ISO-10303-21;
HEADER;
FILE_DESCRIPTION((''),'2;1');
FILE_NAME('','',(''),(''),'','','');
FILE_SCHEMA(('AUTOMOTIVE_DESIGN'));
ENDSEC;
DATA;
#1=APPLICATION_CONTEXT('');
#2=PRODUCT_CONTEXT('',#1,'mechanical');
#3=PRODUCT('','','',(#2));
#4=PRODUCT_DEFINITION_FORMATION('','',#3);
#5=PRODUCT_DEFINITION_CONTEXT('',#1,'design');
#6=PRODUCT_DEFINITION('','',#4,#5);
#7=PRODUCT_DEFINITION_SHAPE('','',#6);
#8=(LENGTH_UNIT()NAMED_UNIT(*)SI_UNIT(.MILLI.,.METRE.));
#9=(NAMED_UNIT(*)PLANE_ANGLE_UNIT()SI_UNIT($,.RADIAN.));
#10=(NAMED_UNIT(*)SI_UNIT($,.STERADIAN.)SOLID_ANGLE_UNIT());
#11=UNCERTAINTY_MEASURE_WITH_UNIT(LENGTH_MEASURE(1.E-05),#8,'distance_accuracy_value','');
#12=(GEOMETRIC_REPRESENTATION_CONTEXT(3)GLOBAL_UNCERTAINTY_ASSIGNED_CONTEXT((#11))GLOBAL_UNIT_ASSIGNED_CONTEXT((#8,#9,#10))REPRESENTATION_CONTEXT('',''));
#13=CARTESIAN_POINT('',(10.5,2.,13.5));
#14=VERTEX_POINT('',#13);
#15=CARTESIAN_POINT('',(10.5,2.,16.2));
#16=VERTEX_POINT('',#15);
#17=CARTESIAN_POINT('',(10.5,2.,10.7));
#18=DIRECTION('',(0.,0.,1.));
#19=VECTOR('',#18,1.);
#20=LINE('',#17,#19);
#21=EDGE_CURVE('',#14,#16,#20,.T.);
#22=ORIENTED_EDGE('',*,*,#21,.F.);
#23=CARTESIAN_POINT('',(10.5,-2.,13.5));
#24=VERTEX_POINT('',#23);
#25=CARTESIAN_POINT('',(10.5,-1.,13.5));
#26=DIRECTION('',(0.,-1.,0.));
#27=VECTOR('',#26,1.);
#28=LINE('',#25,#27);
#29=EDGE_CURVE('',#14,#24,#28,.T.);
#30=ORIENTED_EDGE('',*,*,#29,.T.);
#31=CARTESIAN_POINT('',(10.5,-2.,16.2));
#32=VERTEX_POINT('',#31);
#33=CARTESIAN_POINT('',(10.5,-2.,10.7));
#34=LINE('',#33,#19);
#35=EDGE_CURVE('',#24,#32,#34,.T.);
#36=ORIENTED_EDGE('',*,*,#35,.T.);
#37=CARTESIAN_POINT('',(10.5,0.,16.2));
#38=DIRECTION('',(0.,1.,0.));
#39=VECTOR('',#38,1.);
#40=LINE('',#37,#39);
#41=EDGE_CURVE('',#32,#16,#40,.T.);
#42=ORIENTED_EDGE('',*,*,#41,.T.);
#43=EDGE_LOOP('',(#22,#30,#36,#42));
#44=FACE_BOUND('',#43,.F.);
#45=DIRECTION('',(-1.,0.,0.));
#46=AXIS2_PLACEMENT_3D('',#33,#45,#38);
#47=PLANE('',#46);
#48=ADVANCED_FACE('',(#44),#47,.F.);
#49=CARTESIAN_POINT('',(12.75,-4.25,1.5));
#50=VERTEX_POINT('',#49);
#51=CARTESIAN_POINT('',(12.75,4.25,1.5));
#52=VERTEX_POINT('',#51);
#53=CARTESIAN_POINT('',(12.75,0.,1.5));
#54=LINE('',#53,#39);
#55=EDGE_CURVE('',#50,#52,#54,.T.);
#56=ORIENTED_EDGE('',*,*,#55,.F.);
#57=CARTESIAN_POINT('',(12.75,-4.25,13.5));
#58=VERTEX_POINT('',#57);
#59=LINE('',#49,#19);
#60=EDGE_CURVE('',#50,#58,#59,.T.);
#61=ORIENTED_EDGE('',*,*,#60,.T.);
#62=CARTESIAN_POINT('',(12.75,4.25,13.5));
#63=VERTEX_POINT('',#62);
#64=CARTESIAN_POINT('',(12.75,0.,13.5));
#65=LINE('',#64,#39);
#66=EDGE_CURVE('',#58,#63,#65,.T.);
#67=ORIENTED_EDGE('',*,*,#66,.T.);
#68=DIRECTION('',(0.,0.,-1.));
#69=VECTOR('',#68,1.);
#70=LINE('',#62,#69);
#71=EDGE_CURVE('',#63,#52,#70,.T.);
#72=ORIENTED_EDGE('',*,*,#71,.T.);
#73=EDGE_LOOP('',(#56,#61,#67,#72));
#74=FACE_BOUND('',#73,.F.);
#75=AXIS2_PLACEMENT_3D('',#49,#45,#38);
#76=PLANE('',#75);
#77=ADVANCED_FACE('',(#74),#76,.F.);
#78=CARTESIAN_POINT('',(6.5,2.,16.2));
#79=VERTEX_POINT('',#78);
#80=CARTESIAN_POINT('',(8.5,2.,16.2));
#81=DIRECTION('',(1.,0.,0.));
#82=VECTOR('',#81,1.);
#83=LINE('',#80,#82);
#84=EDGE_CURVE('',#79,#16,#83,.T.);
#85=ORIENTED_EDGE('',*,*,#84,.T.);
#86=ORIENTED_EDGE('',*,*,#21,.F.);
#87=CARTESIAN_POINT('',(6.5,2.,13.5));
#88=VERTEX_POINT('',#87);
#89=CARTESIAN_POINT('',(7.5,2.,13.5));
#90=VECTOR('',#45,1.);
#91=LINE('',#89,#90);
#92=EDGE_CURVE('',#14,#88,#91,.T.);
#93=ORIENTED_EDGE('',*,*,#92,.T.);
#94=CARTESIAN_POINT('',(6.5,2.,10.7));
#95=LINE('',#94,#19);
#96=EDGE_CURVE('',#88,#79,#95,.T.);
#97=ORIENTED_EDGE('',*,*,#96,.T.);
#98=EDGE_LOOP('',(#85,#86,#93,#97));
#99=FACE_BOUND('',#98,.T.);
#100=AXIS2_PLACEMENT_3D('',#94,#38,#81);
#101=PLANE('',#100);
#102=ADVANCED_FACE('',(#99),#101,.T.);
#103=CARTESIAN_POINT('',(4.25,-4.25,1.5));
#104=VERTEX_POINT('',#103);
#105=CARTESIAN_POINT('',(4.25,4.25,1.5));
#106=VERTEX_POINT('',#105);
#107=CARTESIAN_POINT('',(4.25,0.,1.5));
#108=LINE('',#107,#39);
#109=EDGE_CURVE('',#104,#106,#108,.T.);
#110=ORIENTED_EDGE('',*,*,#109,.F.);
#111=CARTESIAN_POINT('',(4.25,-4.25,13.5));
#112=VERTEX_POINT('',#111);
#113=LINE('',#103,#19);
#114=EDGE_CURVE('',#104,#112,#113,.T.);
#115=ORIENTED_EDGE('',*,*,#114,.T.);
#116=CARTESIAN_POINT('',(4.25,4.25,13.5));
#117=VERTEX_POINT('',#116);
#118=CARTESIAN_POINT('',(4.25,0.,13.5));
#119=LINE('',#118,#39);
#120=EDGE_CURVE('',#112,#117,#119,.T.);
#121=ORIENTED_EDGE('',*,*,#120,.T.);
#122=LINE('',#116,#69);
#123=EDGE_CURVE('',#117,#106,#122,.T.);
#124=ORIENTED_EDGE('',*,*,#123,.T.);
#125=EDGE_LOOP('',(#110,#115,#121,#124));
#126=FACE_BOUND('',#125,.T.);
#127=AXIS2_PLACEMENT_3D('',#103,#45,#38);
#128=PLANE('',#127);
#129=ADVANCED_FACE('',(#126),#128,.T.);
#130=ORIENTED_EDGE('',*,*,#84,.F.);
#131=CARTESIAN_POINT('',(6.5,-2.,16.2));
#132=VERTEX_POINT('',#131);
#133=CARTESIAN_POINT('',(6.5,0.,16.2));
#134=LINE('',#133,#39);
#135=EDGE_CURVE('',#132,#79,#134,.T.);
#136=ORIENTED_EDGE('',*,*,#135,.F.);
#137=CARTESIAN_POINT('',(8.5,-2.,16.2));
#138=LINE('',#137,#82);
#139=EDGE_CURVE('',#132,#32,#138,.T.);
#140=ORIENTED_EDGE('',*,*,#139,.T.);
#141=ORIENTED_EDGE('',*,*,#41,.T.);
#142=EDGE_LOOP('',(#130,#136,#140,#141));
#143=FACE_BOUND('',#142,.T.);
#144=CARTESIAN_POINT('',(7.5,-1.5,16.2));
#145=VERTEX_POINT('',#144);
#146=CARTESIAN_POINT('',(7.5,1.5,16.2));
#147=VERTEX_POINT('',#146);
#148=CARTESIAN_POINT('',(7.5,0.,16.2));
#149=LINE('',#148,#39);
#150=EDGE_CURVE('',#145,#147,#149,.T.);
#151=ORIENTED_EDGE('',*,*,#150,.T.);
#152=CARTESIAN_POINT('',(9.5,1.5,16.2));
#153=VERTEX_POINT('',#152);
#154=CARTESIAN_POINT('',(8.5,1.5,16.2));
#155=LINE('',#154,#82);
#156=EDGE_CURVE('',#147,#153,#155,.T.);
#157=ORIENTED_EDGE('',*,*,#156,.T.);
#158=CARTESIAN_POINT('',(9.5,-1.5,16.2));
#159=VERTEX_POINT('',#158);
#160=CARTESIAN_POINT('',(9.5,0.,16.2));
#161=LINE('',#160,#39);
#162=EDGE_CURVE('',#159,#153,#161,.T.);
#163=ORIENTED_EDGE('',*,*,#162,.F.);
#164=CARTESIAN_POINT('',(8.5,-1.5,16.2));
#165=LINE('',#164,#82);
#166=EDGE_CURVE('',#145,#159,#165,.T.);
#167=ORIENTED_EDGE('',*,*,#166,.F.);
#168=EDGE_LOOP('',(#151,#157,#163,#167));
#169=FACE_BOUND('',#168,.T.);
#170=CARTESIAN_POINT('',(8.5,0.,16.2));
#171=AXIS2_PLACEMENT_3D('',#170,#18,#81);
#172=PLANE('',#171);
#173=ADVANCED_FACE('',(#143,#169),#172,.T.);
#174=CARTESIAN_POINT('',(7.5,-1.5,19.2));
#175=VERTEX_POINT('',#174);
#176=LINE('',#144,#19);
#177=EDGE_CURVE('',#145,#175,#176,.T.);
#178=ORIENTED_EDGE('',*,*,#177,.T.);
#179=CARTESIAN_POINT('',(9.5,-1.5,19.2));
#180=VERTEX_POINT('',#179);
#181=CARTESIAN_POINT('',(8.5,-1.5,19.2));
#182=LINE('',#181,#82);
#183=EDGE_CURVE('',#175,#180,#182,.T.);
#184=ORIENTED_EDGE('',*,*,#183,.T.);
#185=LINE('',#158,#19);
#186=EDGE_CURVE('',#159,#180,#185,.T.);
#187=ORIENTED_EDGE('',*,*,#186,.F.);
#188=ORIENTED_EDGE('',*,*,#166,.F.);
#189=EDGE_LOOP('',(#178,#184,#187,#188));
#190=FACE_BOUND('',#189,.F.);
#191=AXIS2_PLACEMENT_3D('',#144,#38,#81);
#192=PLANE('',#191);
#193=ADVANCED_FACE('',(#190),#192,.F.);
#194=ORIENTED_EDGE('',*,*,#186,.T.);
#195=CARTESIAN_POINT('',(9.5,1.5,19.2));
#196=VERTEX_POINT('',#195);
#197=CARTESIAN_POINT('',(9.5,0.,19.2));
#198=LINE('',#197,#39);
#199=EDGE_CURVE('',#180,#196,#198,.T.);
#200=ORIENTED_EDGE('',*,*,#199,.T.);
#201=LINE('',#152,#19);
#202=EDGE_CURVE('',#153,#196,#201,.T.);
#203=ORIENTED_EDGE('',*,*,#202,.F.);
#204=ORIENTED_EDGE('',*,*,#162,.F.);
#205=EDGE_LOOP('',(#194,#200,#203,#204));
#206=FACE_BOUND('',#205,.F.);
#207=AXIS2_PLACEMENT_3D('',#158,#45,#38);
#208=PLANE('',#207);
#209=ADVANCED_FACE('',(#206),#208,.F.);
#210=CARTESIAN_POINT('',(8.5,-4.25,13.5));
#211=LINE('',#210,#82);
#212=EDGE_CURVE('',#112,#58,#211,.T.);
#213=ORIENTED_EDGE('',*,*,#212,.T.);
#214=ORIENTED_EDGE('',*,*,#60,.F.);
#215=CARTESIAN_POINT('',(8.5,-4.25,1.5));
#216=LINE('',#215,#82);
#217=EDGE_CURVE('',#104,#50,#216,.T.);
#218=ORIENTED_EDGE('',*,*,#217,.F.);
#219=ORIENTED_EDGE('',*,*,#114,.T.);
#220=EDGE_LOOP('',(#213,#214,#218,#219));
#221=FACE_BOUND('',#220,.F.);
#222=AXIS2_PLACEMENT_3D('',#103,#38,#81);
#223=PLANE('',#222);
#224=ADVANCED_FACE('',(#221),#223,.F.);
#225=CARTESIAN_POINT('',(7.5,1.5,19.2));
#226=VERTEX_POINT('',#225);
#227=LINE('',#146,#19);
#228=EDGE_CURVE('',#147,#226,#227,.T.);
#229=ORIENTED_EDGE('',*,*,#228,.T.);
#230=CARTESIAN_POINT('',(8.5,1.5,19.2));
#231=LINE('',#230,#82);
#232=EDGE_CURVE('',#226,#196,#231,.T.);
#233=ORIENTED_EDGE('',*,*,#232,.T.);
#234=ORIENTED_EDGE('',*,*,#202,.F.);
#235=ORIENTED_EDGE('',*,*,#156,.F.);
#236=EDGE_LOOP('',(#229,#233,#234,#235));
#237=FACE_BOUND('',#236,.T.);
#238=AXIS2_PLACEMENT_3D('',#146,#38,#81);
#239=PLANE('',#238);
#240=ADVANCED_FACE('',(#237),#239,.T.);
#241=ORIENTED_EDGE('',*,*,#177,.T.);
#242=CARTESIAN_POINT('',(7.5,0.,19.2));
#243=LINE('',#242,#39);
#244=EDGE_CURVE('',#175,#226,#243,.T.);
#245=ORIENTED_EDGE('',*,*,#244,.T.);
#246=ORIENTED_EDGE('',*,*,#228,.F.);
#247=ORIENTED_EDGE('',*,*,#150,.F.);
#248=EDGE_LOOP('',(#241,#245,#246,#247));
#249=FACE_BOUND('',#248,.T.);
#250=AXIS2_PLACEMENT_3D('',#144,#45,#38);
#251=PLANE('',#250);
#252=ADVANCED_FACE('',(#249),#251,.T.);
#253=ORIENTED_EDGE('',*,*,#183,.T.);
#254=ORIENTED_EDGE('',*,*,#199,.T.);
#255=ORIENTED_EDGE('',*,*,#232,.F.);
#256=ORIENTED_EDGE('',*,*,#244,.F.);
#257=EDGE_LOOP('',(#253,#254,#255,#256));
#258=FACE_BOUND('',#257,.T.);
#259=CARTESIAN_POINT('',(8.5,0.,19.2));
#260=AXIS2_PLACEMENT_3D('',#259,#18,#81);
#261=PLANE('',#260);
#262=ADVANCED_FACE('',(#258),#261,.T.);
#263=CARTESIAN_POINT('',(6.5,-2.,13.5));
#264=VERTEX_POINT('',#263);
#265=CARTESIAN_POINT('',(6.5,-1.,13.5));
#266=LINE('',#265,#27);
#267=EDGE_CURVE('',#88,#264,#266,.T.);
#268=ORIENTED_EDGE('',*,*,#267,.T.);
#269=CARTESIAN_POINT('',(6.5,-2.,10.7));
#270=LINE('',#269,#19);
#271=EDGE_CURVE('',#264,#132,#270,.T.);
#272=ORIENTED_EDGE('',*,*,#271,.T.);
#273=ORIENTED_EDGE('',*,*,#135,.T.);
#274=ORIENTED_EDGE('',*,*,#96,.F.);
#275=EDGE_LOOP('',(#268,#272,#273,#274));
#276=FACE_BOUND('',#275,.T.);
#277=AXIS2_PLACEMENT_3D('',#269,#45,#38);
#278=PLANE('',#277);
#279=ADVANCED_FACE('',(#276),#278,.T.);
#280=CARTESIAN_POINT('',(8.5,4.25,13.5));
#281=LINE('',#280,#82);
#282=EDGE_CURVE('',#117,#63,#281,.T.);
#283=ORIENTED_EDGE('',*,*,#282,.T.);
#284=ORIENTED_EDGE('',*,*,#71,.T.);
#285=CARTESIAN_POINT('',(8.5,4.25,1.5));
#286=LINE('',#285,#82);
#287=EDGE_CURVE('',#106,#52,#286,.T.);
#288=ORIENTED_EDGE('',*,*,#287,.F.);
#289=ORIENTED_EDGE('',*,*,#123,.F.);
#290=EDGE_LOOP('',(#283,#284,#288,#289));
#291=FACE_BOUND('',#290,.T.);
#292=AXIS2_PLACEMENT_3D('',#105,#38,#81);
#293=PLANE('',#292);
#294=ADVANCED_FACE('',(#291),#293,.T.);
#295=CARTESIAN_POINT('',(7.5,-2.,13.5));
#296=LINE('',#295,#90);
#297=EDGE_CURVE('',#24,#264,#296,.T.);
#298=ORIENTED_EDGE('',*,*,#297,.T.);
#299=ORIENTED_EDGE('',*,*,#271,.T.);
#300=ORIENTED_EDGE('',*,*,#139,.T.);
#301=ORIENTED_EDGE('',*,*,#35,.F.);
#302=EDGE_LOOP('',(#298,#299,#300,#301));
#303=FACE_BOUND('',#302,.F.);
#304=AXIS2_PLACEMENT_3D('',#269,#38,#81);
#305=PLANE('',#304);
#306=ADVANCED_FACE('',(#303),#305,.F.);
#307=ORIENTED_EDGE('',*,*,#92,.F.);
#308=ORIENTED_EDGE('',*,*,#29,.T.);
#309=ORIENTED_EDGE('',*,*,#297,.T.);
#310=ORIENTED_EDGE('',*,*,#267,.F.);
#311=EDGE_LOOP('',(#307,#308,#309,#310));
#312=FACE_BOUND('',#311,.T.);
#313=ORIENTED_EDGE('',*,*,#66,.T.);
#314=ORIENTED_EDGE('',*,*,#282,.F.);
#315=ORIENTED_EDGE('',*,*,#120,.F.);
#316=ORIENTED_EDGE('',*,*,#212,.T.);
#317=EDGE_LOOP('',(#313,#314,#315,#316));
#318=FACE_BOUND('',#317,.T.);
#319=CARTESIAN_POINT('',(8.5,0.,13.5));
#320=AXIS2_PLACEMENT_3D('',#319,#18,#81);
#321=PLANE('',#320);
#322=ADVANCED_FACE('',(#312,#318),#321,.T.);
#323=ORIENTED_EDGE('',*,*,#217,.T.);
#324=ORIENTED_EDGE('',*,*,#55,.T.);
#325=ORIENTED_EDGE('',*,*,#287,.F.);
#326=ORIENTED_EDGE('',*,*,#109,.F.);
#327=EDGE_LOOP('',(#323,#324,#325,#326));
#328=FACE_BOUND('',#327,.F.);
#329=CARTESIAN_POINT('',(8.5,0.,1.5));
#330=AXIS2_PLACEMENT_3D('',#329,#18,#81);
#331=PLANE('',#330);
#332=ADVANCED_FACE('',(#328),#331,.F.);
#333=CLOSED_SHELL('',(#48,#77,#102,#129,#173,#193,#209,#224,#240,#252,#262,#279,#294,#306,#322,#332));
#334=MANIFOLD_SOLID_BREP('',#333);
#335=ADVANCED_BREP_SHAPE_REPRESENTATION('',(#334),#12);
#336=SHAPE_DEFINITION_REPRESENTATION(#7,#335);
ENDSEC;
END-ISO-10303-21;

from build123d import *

# Parameters (mm, degrees)
BOX075_W     = 4
BOX075_H     = 4
BOX075_DEPTH = 5.5
BOX076_W     = 8.5
BOX076_H     = 8.5
BOX076_DEPTH = 3.5
BOX078_W     = 2
BOX078_H     = 3
BOX078_DEPTH = 3
BOX074_W     = 8.5
BOX074_H     = 8.5
BOX074_DEPTH = 8.5


with BuildPart() as plunger:
    # Box075 → Box075 (new body)
    with BuildSketch(Plane(origin=(-2, -2, 5.7), x_dir=(1, 0, 0), z_dir=(0, 0, 1))):
        with Locations((2, 2)):
            Rectangle(BOX075_W, BOX075_H)
    extrude(amount=BOX075_DEPTH)


with BuildPart() as pins:
    # Box076 → Box076 (new body)
    with BuildSketch(Plane(origin=(-4.25, -4.25, -3.5), x_dir=(1, 0, 0), z_dir=(0, 0, 1))):
        with Locations((4.25, 4.25)):
            Rectangle(BOX076_W, BOX076_H)
    extrude(amount=BOX076_DEPTH)


with BuildPart() as plunger001:
    # Box078 → Box078 (new body)
    with BuildSketch(Plane(origin=(-1, -1.5, 11.2), x_dir=(1, 0, 0), z_dir=(0, 0, 1))):
        with Locations((1, 1.5)):
            Rectangle(BOX078_W, BOX078_H)
    extrude(amount=BOX078_DEPTH)


with BuildPart() as switch001:
    # Box074 → Box074 (new body)
    with BuildSketch(Plane(origin=(-4.25, -4.25, 0), x_dir=(1, 0, 0), z_dir=(0, 0, 1))):
        with Locations((4.25, 4.25)):
            Rectangle(BOX074_W, BOX074_H)
    extrude(amount=BOX074_DEPTH)

    # Fusion024: union plunger, pins, plunger001
    add(plunger.part)
    add(pins.part)
    add(plunger001.part)


with BuildPart() as switch001_1:
    # Body001 placement: moved
    add(switch001.part.moved(Location((8.5, 0, 5))))


solid = switch001_1.part
